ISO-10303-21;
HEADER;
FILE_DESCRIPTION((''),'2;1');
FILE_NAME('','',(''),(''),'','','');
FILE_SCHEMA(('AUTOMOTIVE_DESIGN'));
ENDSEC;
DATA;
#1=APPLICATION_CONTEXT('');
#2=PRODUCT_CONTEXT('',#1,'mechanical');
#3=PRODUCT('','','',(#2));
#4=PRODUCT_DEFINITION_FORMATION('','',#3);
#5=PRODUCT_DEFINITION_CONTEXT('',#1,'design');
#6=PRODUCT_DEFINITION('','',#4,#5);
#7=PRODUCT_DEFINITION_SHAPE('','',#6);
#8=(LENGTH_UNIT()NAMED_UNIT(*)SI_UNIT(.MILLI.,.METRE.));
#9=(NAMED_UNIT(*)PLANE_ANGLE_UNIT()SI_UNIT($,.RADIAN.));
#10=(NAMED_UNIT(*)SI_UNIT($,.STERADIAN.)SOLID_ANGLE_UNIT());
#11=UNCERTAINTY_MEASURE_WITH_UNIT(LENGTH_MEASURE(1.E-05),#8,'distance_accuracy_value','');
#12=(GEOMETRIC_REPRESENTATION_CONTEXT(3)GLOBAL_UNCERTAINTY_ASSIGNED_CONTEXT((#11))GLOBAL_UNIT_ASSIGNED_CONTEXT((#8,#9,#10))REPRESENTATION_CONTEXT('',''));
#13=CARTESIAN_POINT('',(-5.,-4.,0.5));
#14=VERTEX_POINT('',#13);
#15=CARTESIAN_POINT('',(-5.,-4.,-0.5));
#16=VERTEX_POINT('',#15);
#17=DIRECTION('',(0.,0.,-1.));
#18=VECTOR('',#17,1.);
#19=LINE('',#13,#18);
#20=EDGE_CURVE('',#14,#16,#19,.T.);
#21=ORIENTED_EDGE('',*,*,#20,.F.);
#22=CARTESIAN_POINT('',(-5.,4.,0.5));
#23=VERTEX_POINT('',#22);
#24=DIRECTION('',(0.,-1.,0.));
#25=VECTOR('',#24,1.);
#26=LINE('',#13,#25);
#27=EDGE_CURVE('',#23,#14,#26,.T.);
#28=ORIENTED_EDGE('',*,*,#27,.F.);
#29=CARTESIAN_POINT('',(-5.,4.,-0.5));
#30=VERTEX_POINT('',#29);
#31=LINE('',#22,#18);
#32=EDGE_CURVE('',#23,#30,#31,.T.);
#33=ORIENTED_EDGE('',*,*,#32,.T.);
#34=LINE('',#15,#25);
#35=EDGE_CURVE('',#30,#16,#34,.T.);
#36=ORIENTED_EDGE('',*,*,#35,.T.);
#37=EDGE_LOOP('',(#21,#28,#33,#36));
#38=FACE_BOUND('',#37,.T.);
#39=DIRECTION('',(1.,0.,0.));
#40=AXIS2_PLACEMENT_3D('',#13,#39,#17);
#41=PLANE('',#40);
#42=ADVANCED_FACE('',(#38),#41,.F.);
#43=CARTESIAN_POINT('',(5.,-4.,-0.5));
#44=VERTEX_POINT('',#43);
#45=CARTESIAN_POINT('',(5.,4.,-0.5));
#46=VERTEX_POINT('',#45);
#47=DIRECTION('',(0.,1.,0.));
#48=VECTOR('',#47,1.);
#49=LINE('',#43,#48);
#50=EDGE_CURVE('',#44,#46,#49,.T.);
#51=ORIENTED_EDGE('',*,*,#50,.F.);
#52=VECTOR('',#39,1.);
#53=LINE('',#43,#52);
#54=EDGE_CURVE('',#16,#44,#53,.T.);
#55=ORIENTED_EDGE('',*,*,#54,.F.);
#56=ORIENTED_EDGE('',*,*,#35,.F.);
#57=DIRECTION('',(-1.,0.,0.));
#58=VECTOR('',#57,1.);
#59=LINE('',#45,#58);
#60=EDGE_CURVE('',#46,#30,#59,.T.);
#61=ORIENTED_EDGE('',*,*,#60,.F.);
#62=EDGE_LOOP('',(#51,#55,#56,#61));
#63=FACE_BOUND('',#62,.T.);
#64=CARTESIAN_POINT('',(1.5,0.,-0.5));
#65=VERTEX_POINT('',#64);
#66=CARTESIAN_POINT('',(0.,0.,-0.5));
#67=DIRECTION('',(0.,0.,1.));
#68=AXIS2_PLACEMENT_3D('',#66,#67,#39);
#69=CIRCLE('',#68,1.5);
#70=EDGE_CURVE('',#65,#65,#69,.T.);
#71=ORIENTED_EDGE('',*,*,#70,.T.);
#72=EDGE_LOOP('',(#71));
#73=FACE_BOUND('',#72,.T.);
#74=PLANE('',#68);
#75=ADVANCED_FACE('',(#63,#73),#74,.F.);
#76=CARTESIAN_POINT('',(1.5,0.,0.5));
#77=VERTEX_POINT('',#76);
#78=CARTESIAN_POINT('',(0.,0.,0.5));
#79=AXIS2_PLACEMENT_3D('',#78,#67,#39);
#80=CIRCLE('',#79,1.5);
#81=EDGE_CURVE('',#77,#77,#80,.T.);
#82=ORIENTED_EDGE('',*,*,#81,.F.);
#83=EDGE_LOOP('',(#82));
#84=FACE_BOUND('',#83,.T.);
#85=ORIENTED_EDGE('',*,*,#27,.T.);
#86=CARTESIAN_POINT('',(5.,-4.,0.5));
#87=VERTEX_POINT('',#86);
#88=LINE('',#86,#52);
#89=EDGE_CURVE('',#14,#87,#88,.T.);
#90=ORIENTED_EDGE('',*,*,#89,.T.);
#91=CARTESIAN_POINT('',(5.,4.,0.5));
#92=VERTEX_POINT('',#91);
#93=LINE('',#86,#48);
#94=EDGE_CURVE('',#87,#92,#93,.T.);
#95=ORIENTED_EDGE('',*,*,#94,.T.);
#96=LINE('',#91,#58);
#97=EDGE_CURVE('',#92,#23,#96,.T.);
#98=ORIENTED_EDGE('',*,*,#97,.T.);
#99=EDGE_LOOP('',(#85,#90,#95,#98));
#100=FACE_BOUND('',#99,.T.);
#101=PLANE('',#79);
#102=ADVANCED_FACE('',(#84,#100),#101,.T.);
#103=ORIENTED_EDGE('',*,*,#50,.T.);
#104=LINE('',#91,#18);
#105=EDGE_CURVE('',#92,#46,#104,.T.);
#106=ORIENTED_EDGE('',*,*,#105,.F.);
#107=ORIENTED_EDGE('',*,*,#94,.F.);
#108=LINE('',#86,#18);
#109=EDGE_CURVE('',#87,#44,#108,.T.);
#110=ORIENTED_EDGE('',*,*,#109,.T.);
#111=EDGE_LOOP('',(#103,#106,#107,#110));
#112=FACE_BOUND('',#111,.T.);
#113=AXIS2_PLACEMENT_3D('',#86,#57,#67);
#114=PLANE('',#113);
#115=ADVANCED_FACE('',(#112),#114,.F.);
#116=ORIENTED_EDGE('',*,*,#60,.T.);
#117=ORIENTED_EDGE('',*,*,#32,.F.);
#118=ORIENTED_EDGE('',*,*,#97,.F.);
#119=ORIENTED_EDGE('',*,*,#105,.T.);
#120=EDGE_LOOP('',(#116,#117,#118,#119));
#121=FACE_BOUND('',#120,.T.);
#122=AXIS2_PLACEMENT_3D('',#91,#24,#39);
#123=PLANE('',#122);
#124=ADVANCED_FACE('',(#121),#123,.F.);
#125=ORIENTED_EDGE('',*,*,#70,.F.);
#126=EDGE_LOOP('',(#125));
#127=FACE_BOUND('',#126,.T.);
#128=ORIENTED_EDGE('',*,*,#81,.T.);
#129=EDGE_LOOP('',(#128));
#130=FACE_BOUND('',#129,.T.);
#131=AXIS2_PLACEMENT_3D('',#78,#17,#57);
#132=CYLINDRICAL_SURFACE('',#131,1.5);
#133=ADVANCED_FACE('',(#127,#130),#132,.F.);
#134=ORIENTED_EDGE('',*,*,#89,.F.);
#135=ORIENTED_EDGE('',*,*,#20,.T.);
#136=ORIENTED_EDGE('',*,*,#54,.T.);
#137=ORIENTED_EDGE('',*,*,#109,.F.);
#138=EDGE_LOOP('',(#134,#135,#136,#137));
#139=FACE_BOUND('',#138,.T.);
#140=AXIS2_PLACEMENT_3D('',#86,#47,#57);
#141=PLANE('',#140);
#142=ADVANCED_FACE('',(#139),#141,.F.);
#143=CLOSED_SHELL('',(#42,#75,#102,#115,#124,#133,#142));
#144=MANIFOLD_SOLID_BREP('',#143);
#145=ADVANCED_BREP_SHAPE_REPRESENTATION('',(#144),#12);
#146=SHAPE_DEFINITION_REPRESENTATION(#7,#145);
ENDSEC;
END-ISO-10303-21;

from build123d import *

# Parameters (mm, degrees)
SKETCH1_W           = 10
SKETCH1_H           = 8
SKETCH1_R           = 1.5
BOSS_EXTRUDE1_DEPTH = 0.5


with BuildPart() as part:
    # Sketch1 → Boss-Extrude1 (new body, symmetric)
    with BuildSketch(Plane.XY):
        Rectangle(SKETCH1_W, SKETCH1_H)
        Circle(SKETCH1_R, mode=Mode.SUBTRACT)
    extrude(amount=BOSS_EXTRUDE1_DEPTH, both=True)


solid = part.part
